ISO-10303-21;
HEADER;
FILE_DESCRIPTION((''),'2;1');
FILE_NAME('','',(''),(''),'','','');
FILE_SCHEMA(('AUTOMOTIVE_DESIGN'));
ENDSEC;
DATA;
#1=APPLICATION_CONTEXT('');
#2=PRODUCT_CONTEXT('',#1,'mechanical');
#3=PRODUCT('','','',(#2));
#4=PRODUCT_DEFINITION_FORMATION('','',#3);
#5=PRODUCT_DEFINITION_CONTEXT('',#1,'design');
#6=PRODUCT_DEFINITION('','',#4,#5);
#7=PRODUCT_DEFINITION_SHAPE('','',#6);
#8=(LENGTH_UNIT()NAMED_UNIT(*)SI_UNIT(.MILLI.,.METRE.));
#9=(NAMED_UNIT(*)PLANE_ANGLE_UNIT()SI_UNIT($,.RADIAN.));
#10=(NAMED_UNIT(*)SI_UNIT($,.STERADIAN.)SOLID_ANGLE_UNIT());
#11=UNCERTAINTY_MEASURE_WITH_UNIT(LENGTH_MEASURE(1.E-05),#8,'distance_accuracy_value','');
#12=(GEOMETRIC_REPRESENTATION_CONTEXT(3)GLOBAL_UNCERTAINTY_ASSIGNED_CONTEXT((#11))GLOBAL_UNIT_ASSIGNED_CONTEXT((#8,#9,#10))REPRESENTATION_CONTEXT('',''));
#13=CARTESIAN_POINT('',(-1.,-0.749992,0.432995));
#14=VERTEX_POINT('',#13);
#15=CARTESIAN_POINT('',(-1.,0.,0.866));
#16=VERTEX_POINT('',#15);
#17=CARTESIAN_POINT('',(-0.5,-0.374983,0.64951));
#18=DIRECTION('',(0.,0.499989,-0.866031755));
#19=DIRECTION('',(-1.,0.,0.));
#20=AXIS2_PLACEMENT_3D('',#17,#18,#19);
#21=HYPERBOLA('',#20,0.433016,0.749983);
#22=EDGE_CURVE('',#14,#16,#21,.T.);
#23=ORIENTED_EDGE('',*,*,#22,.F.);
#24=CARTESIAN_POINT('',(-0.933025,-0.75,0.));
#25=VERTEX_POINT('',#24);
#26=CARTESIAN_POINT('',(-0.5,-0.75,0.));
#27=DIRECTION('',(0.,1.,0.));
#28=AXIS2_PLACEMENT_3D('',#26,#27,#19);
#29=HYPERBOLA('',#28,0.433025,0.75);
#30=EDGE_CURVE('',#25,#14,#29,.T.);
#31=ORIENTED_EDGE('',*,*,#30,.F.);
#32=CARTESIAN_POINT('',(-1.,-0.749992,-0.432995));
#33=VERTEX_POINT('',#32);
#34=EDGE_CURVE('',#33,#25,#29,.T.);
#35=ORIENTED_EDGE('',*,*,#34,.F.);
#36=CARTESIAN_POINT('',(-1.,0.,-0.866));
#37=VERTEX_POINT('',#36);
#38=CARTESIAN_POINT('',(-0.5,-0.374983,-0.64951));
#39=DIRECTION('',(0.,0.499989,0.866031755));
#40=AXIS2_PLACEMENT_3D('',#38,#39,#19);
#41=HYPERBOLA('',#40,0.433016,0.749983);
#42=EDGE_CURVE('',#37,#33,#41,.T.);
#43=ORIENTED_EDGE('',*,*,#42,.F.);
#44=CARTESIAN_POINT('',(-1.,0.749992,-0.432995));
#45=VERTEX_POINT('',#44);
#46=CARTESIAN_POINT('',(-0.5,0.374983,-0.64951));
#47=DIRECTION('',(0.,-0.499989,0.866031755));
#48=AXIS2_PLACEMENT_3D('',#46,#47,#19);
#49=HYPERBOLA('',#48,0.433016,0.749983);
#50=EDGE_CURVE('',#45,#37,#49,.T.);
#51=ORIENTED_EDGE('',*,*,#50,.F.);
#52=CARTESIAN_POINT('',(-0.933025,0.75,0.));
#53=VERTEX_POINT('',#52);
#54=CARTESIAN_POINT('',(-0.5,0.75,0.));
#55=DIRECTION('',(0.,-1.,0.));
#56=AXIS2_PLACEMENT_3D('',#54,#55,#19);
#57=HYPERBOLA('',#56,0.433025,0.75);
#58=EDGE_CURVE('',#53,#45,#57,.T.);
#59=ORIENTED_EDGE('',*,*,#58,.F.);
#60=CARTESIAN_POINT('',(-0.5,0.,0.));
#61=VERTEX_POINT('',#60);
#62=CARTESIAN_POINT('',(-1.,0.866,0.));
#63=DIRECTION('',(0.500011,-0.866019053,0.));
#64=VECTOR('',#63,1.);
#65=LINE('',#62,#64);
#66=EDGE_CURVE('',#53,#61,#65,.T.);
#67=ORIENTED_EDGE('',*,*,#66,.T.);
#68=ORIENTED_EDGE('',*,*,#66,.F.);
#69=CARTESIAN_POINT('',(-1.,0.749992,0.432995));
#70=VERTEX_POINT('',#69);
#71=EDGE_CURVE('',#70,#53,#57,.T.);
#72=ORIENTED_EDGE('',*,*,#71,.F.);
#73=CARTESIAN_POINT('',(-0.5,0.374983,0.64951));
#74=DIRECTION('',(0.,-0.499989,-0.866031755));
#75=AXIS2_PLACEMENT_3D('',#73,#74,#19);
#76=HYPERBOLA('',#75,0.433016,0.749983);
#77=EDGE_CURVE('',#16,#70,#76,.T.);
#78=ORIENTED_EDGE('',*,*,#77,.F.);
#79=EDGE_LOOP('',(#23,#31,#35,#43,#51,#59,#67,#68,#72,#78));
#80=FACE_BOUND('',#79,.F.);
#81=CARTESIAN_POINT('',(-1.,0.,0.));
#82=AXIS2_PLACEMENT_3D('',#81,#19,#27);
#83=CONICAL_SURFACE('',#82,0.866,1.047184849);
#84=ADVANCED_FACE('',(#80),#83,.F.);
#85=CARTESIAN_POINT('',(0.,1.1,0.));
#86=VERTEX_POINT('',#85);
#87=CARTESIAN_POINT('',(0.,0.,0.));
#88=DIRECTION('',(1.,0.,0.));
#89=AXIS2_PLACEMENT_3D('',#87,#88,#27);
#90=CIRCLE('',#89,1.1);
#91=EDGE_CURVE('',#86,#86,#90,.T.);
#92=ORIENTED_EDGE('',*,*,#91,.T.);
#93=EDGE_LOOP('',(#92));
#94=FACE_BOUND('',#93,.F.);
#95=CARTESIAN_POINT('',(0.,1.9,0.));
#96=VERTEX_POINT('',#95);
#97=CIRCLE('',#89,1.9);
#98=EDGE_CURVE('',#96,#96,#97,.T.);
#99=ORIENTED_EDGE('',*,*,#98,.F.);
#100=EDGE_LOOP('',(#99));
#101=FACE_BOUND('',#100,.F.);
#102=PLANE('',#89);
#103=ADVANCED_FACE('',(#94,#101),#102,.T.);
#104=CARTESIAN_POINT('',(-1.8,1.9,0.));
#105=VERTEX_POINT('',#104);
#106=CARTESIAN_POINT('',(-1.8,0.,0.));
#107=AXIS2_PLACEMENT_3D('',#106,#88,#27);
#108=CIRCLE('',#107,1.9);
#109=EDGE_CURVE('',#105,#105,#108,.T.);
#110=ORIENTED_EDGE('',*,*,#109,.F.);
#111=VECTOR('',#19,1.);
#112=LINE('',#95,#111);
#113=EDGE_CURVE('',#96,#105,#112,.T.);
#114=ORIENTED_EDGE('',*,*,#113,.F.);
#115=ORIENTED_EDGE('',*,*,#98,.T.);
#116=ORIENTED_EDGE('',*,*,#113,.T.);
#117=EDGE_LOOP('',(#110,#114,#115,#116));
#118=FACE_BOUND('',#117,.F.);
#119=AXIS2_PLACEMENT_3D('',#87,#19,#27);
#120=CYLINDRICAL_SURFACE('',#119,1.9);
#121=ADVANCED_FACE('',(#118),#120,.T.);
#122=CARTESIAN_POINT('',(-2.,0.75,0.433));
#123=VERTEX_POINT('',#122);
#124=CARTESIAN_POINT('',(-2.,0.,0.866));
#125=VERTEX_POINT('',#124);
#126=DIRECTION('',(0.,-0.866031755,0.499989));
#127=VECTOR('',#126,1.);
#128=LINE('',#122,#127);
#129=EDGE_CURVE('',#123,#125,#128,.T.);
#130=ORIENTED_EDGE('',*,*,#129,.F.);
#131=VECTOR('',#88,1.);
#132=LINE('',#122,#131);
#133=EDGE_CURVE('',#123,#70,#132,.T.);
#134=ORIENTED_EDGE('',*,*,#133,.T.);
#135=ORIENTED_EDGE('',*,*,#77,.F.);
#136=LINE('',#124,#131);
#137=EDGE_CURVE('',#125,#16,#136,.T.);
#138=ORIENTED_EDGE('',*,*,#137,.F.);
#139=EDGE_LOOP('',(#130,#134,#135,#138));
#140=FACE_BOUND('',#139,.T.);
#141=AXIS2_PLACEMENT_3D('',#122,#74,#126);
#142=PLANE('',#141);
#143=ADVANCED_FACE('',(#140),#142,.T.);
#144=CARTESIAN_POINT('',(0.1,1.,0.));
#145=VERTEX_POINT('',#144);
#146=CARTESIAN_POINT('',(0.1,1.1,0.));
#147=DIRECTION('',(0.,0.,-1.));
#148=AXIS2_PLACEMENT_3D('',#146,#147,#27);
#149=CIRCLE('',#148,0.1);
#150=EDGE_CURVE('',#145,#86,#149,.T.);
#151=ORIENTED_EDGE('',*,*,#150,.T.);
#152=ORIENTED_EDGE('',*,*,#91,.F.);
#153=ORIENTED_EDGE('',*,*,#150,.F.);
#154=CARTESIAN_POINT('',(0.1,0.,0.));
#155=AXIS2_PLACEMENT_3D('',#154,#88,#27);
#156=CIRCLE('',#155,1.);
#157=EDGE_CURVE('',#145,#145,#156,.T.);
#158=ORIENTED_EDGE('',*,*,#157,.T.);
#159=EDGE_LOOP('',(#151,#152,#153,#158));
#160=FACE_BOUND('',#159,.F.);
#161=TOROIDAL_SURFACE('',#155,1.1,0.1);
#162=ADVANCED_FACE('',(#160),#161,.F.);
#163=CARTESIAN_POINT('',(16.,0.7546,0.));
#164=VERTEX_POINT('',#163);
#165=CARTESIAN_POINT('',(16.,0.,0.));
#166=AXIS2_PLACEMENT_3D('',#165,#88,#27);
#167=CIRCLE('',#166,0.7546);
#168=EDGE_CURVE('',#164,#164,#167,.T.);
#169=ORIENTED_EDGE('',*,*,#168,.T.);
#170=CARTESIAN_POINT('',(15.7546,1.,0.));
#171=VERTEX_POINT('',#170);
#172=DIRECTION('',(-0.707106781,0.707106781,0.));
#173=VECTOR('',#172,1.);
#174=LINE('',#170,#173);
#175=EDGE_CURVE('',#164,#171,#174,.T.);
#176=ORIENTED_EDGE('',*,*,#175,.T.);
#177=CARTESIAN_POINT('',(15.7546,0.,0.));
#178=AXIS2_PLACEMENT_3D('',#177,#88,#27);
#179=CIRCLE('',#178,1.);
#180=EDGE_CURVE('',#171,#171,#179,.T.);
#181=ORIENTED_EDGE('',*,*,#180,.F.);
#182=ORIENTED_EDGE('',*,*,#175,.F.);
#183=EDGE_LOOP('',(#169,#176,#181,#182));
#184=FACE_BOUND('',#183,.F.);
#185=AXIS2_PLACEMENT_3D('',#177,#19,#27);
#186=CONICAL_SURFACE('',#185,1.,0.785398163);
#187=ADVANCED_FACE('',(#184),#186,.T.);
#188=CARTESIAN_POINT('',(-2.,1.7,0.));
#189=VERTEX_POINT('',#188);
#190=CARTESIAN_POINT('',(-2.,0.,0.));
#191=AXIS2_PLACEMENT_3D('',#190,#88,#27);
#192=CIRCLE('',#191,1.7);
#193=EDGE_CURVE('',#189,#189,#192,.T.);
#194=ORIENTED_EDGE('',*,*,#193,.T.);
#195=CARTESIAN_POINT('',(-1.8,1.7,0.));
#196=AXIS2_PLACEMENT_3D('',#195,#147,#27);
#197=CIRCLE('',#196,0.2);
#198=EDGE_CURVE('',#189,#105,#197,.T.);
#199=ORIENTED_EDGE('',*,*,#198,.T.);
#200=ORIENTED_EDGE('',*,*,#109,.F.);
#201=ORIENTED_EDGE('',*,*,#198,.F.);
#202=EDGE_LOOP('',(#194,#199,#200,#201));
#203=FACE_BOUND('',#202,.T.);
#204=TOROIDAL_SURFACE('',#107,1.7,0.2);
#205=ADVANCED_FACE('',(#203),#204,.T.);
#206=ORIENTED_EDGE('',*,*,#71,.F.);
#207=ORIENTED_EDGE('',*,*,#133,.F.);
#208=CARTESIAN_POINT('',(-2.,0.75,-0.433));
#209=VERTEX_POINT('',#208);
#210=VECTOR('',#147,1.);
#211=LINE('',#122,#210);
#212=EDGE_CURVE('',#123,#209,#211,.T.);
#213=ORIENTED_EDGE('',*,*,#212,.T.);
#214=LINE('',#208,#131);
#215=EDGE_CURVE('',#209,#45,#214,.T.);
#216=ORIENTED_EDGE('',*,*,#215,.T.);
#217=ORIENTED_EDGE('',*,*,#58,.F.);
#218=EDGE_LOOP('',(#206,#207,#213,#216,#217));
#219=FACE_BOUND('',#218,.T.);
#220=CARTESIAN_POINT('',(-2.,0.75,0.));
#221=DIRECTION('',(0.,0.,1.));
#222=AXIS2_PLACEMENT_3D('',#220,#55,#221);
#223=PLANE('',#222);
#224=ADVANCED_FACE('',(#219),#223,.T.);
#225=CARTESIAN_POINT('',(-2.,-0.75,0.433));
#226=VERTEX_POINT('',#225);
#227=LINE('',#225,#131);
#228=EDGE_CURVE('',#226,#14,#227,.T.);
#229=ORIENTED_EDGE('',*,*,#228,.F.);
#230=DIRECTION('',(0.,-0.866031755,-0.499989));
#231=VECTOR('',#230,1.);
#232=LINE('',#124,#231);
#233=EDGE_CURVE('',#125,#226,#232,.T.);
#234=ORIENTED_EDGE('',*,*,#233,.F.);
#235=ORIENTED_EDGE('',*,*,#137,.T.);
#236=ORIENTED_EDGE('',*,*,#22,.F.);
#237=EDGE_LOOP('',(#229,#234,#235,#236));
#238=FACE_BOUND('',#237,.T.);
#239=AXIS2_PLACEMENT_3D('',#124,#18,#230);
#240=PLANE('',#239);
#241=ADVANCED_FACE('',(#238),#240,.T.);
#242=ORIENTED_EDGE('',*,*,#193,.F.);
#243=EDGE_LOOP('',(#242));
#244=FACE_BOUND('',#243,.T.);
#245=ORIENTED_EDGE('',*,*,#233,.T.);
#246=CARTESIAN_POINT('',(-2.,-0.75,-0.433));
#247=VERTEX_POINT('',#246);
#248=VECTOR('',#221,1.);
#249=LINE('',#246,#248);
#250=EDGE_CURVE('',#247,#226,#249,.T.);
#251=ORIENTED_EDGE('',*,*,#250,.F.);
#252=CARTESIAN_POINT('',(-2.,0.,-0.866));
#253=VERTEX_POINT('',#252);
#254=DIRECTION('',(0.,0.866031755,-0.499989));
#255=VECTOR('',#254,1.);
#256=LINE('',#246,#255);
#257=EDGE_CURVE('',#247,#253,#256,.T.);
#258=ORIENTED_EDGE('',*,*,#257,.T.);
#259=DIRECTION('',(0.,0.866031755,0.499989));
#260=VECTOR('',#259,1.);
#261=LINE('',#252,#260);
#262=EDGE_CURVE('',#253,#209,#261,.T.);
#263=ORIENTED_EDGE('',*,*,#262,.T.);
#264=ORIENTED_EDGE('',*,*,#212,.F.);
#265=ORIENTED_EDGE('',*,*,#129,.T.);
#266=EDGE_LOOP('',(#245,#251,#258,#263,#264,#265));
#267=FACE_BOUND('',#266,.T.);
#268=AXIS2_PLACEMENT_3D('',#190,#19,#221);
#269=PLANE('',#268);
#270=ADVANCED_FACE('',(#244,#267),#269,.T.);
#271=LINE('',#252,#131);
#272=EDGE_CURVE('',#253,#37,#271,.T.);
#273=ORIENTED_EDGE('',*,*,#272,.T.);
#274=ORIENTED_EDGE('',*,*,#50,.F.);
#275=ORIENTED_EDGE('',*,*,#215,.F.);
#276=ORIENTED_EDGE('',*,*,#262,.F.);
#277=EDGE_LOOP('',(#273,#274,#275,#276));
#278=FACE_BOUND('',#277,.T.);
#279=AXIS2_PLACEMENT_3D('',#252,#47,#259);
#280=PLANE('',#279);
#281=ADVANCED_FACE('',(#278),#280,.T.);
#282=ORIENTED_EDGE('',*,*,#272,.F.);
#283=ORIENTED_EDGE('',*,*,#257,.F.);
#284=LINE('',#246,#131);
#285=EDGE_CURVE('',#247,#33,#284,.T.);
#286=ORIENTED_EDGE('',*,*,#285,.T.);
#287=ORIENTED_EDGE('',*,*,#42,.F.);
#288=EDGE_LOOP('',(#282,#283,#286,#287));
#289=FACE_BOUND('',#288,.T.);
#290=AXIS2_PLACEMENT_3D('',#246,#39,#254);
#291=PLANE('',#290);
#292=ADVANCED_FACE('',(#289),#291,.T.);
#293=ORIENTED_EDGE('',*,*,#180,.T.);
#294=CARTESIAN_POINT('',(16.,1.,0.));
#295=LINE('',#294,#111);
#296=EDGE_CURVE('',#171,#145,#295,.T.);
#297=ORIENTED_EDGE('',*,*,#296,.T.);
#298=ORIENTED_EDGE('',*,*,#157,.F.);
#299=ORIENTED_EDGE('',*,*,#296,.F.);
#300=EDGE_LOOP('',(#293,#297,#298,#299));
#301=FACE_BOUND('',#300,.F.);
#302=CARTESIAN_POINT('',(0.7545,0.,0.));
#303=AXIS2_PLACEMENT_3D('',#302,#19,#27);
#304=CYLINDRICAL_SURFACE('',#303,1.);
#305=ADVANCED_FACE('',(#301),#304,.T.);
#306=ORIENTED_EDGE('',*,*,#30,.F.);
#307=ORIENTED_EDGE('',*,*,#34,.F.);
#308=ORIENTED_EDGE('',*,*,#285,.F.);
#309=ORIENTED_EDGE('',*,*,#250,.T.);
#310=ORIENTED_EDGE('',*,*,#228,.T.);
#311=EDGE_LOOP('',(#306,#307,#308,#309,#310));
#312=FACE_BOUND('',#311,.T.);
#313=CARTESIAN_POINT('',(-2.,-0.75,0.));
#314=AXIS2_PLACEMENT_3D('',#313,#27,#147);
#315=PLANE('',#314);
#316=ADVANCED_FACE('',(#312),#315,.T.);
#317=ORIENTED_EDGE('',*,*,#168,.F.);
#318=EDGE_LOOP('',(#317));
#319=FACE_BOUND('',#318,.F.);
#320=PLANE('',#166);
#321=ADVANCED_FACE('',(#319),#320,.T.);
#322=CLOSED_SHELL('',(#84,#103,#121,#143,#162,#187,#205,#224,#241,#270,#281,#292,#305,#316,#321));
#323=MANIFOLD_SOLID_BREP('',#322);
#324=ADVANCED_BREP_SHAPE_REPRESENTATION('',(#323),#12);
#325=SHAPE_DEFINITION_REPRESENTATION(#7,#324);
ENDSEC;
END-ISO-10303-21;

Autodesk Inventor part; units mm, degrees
ref_plane "YZ Plane" through (0, 0, 0) normal (1, 0, 0) x (0, 1, 0)
ref_plane "XZ Plane" through (0, 0, 0) normal (0, 1, 0) x (-1, 0, 0)
sketch "Sketch1" plane through (0, 0, 0) normal (0, 0, 1) x (1, 0, 0)
  line L0 (-0.5, 0) -> (16, 0)
  line L1 (16, 0) -> (16, 1)
  line L2 (16, 1) -> (1, 1)
  line L3 (1, 1) -> (0.7545, 1)
  line L4 (0.7545, 1) -> (0, 1)
  line L5 (0, 1) -> (0, 1.9)
  line L6 (0, 1.9) -> (-2, 1.9)
  line L7 (-2, 1.9) -> (-2, 0.866)
  line L8 (-2, 0.866) -> (-1, 0.866)
  line L9 (-1, 0.866) -> (-0.5, 0)
  line L10 (-5.6, 0) -> (19.6, 0) projected
  line L11 (0, -0.38) -> (0, 2.28) projected
  line L12 (1, 1) -> (0, 1) construction
  dimension "d1" = 15
  dimension "d2" = 0.2455
  dimension "d3" = 2
  dimension "d4" = 1
  dimension "d5" = 60
  dimension "d6" = 2
  dimension "d7" = 2
  dimension "d8" = 1.7321
  dimension "d9" = 3.8
  dimension "d26" = 16
revolve "Body" add sketch "Sketch1" angle 360 about axis through (-0.5, 0, 0) along (1, 0, 0)
sketch "Sketch2" plane through (-2, 0, 0) normal (-1, 0, 0) x (0, 0, 1)
  circle A0 centre (0, 0) radius 0.866 projected
  line L0 (0, -2.66) -> (0, 2.66) projected
  line L1 (-2.66, 0) -> (2.66, 0) projected
  line L2 (0.866, 0) -> (0.433, -0.75)
  line L3 (0.433, -0.75) -> (-0.433, -0.75)
  line L4 (-0.433, -0.75) -> (-0.866, 0)
  line L5 (-0.866, 0) -> (-0.433, 0.75)
  line L6 (-0.433, 0.75) -> (0.433, 0.75)
  line L7 (0.433, 0.75) -> (0.866, 0)
  point P0 (0, 0)
extrude "Slot" add sketch "Sketch2" against normal up to next contours L7 A0 | A0 L2 | L6 L0 A0 | A0 L0 L3 | L0 L6 A0 | A0 L3 L0 | L4 A0 | A0 L5
fillet "Fillet1" radius 0.2 1 edges at (-2, -1.9, 0)
thread "Thread" size "M2x0.4" designation "M2" class "6g" standard "ISO Metric profile" length 15
chamfer "Chamfer1" distance 0.2454 distance2 0.2454 1 edges at (16, -1, 0) measured on face at (16, -0.5786, -0.2558)
ref_plane "Work Plane1" through (29, 0, 0) normal (0, -1, 0) x (1, 0, 0)
fillet "Fillet2" radius 0.1 1 edges at (0, -1, 0)
equation "\"d1\" = GEL"
equation "\"d3\" = KOH"
equation "\"d4\" = INTI"
equation "\"d6\" = GD"
equation "\"d7\" = BDM"
equation "\"d8\" = 1.1547 * SW"
equation "\"d9\" = KOD"
equation "\"d26\" = NLG"
equation "\"d30\" = R"
equation "\"d17\" = RR"
equation "\"d13\" = GEL"
equation "\"d15\" = -0.5 * SPD + 0.5 * GD"
equation "\"d16\" = GUL"
equation "\"GD\" = 2"
equation "\"NLG\" = 16"
equation "\"GEL\" = 15"
equation "\"KOD\" = 3.8"
equation "\"KOH\" = 2"
equation "\"INTI\" = 1"
equation "\"GAL\" = 0.61345 * PTC"
equation "\"GUL\" = 0.61345 * PTC"
equation "\"BDM\" = NND"
equation "\"SW\" = 1.5"
equation "\"RR\" = 0.2"
equation "\"SPD\" = NND - 1.2269 * PTC"
equation "\"R\" = 0.1"
equation "\"TOA\" = 30deg"
equation "\"GD1\" = THREADDIA - 1.2269 * PTC"
equation "\"THREADDIA\" = 2"
equation "\"FAWI\" = 45deg"
equation "\"PTC\" = 0.4"
equation "\"NND\" = 2"
equation "\"E0\" = 1.155 * SW"
properties part number "ISO 4762 - M2 x 16" material "Steel"
